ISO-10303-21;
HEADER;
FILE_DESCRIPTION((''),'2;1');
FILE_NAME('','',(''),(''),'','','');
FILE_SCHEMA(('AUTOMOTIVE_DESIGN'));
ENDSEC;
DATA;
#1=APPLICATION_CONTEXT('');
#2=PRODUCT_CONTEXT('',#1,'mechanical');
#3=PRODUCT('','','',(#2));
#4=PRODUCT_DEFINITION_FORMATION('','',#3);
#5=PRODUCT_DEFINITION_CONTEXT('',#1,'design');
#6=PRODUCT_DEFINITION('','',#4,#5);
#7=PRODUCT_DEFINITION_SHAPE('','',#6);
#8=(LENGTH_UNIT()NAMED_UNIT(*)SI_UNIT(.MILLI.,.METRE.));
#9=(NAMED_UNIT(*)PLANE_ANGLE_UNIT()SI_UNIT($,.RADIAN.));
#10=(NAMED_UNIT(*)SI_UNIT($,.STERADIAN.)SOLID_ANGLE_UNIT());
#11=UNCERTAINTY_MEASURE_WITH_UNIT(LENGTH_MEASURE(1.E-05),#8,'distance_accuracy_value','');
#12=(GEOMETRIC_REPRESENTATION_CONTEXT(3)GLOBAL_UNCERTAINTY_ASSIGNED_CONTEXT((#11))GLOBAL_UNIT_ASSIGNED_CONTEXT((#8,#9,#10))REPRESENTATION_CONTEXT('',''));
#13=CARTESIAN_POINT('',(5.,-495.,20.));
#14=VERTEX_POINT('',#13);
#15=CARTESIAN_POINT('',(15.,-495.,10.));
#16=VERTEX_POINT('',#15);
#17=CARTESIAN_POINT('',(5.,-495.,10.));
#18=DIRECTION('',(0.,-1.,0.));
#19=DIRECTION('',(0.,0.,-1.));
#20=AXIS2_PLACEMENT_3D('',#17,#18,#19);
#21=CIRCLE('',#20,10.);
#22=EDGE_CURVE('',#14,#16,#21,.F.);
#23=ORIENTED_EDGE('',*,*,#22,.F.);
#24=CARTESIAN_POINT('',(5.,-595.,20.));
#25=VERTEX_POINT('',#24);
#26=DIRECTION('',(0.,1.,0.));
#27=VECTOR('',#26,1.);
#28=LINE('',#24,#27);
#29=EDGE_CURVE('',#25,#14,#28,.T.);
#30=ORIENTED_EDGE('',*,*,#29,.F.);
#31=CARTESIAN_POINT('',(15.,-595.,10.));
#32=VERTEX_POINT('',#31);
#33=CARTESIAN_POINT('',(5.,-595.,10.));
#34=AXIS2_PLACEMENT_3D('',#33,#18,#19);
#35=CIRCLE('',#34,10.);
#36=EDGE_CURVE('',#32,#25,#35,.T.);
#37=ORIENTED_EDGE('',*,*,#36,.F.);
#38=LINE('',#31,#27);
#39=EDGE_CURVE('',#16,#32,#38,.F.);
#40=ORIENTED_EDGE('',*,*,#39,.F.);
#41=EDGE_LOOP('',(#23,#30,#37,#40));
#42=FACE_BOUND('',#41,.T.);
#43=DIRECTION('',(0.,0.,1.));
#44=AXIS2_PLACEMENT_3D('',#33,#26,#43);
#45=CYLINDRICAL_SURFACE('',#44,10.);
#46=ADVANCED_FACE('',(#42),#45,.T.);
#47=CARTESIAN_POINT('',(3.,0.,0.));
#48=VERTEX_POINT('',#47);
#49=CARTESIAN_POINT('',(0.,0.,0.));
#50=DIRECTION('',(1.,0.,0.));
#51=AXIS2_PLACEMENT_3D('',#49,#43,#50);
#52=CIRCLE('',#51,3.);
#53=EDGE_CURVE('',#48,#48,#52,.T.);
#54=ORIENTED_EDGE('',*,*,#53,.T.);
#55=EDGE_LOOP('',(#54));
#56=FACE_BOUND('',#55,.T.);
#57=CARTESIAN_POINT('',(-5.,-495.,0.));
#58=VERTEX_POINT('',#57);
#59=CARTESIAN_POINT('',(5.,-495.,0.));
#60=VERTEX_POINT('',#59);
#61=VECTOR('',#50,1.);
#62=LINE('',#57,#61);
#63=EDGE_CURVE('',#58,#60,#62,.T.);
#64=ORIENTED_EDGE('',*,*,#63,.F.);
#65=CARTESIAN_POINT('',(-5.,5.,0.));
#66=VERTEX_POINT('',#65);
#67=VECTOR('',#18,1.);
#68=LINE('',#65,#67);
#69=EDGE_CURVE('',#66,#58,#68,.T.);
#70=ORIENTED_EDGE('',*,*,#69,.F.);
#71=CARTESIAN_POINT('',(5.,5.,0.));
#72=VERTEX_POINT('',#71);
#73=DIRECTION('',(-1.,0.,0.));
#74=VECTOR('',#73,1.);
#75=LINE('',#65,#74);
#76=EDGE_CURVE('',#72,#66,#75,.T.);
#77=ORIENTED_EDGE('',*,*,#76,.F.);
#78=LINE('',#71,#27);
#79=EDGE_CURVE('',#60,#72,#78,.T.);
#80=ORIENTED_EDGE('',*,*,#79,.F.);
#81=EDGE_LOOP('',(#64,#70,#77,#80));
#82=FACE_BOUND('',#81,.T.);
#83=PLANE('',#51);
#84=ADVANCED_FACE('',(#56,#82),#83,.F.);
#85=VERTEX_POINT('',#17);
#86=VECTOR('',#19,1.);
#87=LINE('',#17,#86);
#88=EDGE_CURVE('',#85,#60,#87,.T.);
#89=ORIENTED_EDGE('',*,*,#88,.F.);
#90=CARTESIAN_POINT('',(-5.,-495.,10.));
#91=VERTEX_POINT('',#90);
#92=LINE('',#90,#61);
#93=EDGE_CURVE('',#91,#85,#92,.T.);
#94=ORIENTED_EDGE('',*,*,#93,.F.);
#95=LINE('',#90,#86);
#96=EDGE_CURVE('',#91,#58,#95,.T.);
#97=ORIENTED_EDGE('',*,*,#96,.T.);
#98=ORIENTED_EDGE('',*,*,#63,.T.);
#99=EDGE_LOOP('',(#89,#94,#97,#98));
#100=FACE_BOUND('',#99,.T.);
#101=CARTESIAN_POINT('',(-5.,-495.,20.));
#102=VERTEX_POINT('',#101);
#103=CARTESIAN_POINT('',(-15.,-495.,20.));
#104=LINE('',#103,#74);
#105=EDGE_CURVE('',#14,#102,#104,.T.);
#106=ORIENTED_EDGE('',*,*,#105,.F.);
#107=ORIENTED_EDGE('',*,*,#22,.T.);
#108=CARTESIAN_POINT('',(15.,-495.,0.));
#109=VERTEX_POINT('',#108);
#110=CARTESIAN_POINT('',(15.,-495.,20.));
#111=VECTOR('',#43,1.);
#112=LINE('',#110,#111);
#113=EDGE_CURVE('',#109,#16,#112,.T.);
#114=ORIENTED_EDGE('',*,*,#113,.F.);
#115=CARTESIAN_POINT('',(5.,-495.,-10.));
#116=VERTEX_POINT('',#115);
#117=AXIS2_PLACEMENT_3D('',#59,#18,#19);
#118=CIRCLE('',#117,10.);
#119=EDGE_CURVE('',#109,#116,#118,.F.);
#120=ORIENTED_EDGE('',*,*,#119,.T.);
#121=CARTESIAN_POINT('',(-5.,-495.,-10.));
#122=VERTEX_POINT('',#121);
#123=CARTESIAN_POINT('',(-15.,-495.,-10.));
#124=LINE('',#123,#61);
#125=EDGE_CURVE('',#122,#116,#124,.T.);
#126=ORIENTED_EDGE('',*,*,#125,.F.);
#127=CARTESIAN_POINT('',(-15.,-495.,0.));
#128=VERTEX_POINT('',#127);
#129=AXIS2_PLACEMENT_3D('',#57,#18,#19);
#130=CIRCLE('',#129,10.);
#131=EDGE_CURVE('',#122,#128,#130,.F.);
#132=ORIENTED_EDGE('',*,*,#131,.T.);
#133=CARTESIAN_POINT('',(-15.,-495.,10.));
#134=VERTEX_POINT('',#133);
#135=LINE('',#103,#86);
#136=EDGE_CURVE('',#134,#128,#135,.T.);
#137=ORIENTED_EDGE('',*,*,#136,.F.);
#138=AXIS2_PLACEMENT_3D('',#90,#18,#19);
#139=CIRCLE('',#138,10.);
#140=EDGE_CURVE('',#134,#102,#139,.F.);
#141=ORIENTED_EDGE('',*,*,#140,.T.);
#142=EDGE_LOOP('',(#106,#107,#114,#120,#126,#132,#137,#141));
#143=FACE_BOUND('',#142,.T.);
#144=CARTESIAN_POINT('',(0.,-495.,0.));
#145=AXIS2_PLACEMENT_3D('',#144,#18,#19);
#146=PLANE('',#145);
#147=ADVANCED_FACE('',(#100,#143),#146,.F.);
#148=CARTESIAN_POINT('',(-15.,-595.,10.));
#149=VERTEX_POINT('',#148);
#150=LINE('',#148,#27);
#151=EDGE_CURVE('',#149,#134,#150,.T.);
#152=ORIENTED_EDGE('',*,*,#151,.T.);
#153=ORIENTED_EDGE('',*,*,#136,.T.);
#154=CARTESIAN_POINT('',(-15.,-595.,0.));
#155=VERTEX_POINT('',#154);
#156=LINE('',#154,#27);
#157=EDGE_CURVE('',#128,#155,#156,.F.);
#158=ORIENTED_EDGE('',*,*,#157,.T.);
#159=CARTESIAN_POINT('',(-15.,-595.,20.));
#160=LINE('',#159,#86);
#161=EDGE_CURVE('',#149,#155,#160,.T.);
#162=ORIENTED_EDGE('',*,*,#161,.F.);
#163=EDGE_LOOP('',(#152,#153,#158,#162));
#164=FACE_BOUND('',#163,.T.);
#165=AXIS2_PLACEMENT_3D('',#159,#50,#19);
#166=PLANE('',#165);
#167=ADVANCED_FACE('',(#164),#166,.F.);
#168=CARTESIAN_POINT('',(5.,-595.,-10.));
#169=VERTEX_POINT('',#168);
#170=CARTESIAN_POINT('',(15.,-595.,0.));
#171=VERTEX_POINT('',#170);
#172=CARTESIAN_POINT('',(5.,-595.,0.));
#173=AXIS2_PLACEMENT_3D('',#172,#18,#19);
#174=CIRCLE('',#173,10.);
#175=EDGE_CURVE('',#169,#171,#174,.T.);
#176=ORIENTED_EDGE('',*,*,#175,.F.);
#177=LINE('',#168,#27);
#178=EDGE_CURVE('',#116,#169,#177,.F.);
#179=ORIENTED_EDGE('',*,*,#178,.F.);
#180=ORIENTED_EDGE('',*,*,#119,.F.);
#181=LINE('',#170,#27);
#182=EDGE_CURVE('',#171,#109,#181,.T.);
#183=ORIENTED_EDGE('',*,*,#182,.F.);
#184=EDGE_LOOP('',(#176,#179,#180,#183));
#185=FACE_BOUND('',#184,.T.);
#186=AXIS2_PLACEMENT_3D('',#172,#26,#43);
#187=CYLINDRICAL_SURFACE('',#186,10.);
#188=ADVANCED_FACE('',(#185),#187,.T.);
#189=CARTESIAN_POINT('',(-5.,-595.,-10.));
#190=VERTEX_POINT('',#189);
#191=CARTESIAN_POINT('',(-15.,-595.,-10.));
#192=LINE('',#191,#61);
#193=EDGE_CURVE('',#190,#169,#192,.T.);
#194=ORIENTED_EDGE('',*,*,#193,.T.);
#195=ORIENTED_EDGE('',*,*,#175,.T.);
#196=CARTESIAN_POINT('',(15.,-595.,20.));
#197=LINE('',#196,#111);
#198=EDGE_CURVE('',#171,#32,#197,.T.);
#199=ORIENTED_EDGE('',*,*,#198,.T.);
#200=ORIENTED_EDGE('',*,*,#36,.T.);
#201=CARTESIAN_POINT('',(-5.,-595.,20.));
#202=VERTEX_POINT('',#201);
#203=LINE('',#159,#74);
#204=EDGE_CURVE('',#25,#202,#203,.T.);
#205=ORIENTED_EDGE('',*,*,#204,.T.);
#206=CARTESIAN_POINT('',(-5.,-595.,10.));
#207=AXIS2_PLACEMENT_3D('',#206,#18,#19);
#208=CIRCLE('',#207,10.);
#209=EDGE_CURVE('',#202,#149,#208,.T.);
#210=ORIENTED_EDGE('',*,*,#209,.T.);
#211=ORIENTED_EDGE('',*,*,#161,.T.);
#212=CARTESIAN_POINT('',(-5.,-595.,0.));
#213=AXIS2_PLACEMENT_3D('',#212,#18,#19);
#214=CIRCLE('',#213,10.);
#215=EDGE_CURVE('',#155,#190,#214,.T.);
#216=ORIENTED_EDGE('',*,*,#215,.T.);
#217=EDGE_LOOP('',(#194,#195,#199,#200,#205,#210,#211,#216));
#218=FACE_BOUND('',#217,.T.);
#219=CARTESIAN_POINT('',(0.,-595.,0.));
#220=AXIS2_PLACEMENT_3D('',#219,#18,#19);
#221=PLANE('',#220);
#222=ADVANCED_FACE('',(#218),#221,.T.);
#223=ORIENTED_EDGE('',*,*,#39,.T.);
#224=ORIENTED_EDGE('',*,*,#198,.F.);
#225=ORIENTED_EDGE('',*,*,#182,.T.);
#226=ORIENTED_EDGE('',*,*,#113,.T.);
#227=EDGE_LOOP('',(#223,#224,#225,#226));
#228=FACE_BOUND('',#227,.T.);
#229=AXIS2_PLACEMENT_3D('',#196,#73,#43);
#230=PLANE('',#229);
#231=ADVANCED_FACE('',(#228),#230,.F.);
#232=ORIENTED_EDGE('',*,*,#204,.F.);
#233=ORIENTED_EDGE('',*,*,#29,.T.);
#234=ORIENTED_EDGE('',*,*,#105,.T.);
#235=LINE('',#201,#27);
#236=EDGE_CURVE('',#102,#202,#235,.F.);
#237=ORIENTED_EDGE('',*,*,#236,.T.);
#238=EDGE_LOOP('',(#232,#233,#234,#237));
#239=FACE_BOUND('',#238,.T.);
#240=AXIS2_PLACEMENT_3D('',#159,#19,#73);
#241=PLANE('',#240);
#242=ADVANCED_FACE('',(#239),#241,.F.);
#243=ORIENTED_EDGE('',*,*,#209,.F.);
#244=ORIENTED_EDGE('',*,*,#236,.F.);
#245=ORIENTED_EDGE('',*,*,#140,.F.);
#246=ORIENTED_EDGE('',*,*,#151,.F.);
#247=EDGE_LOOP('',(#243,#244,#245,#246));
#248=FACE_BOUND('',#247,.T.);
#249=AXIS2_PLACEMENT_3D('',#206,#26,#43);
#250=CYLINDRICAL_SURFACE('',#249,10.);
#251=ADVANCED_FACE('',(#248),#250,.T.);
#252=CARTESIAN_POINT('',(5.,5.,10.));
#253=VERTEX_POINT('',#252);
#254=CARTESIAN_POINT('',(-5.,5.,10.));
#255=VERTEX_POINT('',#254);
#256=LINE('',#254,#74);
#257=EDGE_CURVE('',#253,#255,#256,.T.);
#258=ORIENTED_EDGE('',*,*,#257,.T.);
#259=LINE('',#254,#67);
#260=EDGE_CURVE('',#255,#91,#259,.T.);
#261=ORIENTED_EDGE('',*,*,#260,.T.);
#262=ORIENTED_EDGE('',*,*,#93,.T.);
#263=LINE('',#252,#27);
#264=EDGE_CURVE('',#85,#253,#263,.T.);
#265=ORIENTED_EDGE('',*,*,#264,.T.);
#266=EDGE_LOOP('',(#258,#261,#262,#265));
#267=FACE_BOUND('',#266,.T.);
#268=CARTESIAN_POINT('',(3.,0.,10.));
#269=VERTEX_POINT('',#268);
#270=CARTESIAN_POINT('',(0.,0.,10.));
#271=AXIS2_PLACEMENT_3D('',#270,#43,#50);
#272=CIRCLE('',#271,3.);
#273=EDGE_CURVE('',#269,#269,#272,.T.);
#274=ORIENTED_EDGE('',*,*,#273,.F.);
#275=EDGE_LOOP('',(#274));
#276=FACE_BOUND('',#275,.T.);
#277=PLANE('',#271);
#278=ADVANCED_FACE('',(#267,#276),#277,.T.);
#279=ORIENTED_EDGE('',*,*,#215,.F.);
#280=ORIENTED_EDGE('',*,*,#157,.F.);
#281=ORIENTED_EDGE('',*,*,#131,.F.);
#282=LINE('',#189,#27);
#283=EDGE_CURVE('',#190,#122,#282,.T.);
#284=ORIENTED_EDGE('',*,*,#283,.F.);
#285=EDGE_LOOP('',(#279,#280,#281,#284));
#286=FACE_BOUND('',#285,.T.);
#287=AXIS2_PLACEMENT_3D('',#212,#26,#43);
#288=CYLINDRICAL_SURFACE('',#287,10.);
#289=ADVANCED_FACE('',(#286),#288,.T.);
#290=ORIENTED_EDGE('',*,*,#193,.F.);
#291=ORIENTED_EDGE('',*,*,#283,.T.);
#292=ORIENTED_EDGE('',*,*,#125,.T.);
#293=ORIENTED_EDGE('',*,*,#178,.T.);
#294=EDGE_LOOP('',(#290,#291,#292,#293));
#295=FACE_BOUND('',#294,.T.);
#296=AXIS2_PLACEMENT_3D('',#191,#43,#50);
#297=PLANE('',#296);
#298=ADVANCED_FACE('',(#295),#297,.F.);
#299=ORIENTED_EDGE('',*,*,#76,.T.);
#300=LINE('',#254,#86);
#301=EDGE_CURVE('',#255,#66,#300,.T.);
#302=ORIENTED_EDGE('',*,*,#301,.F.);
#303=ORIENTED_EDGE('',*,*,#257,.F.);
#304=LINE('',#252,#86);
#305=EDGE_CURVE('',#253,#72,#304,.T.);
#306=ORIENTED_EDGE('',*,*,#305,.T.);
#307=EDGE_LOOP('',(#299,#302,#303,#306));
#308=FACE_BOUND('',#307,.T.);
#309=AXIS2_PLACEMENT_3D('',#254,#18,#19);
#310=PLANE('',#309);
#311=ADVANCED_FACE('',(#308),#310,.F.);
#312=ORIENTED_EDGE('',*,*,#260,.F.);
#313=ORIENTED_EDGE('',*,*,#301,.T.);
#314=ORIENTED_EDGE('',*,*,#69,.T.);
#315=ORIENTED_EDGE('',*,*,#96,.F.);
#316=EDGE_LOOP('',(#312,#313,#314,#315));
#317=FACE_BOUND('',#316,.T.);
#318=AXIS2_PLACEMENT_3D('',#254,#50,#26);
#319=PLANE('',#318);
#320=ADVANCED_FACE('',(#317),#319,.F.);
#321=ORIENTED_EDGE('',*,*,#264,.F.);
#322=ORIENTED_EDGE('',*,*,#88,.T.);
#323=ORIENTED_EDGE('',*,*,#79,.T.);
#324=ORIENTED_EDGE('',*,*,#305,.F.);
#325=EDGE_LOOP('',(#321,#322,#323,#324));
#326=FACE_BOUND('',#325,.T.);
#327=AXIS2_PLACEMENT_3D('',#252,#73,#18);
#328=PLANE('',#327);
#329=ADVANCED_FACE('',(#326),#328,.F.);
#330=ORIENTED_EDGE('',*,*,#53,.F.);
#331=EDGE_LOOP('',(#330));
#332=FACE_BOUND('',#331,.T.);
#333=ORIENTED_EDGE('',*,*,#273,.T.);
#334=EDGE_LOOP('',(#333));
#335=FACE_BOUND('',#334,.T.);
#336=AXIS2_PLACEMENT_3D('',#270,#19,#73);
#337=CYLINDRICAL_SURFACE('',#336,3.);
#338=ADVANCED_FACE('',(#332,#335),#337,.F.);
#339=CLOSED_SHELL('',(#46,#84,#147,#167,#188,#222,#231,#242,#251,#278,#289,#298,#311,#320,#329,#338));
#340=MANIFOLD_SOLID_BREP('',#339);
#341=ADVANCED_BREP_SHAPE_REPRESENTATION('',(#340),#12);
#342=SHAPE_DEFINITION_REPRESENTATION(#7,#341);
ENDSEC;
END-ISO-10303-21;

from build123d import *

# Parameters (mm, degrees)
SKETCH1_W           = 10
SKETCH1_H           = 500
SKETCH1_R           = 3
BOSS_EXTRUDE1_DEPTH = 10
SKETCH2_W           = 30
SKETCH2_H           = 30
BOSS_EXTRUDE2_DEPTH = 100
FILLET1_R           = 10


with BuildPart() as part:
    # Sketch1 → Boss-Extrude1 (new body)
    with BuildSketch(Plane.XY):
        with Locations((0, -245)):
            Rectangle(SKETCH1_W, SKETCH1_H)
        Circle(SKETCH1_R, mode=Mode.SUBTRACT)
    extrude(amount=BOSS_EXTRUDE1_DEPTH)

    # Sketch2 → Boss-Extrude2 (add)
    with BuildSketch(Plane.XZ.offset(495)):
        with Locations((0, 5)):
            Rectangle(SKETCH2_W, SKETCH2_H)
    extrude(amount=BOSS_EXTRUDE2_DEPTH)

    # Fillet1
    fillet1_edges = [part.edges().sort_by_distance(p)[0] for p in [
        (15, -545, -10),
        (15, -545, 20),
        (-15, -545, 20),
        (-15, -545, -10),
    ]]
    fillet(fillet1_edges, radius=FILLET1_R)


solid = part.part
